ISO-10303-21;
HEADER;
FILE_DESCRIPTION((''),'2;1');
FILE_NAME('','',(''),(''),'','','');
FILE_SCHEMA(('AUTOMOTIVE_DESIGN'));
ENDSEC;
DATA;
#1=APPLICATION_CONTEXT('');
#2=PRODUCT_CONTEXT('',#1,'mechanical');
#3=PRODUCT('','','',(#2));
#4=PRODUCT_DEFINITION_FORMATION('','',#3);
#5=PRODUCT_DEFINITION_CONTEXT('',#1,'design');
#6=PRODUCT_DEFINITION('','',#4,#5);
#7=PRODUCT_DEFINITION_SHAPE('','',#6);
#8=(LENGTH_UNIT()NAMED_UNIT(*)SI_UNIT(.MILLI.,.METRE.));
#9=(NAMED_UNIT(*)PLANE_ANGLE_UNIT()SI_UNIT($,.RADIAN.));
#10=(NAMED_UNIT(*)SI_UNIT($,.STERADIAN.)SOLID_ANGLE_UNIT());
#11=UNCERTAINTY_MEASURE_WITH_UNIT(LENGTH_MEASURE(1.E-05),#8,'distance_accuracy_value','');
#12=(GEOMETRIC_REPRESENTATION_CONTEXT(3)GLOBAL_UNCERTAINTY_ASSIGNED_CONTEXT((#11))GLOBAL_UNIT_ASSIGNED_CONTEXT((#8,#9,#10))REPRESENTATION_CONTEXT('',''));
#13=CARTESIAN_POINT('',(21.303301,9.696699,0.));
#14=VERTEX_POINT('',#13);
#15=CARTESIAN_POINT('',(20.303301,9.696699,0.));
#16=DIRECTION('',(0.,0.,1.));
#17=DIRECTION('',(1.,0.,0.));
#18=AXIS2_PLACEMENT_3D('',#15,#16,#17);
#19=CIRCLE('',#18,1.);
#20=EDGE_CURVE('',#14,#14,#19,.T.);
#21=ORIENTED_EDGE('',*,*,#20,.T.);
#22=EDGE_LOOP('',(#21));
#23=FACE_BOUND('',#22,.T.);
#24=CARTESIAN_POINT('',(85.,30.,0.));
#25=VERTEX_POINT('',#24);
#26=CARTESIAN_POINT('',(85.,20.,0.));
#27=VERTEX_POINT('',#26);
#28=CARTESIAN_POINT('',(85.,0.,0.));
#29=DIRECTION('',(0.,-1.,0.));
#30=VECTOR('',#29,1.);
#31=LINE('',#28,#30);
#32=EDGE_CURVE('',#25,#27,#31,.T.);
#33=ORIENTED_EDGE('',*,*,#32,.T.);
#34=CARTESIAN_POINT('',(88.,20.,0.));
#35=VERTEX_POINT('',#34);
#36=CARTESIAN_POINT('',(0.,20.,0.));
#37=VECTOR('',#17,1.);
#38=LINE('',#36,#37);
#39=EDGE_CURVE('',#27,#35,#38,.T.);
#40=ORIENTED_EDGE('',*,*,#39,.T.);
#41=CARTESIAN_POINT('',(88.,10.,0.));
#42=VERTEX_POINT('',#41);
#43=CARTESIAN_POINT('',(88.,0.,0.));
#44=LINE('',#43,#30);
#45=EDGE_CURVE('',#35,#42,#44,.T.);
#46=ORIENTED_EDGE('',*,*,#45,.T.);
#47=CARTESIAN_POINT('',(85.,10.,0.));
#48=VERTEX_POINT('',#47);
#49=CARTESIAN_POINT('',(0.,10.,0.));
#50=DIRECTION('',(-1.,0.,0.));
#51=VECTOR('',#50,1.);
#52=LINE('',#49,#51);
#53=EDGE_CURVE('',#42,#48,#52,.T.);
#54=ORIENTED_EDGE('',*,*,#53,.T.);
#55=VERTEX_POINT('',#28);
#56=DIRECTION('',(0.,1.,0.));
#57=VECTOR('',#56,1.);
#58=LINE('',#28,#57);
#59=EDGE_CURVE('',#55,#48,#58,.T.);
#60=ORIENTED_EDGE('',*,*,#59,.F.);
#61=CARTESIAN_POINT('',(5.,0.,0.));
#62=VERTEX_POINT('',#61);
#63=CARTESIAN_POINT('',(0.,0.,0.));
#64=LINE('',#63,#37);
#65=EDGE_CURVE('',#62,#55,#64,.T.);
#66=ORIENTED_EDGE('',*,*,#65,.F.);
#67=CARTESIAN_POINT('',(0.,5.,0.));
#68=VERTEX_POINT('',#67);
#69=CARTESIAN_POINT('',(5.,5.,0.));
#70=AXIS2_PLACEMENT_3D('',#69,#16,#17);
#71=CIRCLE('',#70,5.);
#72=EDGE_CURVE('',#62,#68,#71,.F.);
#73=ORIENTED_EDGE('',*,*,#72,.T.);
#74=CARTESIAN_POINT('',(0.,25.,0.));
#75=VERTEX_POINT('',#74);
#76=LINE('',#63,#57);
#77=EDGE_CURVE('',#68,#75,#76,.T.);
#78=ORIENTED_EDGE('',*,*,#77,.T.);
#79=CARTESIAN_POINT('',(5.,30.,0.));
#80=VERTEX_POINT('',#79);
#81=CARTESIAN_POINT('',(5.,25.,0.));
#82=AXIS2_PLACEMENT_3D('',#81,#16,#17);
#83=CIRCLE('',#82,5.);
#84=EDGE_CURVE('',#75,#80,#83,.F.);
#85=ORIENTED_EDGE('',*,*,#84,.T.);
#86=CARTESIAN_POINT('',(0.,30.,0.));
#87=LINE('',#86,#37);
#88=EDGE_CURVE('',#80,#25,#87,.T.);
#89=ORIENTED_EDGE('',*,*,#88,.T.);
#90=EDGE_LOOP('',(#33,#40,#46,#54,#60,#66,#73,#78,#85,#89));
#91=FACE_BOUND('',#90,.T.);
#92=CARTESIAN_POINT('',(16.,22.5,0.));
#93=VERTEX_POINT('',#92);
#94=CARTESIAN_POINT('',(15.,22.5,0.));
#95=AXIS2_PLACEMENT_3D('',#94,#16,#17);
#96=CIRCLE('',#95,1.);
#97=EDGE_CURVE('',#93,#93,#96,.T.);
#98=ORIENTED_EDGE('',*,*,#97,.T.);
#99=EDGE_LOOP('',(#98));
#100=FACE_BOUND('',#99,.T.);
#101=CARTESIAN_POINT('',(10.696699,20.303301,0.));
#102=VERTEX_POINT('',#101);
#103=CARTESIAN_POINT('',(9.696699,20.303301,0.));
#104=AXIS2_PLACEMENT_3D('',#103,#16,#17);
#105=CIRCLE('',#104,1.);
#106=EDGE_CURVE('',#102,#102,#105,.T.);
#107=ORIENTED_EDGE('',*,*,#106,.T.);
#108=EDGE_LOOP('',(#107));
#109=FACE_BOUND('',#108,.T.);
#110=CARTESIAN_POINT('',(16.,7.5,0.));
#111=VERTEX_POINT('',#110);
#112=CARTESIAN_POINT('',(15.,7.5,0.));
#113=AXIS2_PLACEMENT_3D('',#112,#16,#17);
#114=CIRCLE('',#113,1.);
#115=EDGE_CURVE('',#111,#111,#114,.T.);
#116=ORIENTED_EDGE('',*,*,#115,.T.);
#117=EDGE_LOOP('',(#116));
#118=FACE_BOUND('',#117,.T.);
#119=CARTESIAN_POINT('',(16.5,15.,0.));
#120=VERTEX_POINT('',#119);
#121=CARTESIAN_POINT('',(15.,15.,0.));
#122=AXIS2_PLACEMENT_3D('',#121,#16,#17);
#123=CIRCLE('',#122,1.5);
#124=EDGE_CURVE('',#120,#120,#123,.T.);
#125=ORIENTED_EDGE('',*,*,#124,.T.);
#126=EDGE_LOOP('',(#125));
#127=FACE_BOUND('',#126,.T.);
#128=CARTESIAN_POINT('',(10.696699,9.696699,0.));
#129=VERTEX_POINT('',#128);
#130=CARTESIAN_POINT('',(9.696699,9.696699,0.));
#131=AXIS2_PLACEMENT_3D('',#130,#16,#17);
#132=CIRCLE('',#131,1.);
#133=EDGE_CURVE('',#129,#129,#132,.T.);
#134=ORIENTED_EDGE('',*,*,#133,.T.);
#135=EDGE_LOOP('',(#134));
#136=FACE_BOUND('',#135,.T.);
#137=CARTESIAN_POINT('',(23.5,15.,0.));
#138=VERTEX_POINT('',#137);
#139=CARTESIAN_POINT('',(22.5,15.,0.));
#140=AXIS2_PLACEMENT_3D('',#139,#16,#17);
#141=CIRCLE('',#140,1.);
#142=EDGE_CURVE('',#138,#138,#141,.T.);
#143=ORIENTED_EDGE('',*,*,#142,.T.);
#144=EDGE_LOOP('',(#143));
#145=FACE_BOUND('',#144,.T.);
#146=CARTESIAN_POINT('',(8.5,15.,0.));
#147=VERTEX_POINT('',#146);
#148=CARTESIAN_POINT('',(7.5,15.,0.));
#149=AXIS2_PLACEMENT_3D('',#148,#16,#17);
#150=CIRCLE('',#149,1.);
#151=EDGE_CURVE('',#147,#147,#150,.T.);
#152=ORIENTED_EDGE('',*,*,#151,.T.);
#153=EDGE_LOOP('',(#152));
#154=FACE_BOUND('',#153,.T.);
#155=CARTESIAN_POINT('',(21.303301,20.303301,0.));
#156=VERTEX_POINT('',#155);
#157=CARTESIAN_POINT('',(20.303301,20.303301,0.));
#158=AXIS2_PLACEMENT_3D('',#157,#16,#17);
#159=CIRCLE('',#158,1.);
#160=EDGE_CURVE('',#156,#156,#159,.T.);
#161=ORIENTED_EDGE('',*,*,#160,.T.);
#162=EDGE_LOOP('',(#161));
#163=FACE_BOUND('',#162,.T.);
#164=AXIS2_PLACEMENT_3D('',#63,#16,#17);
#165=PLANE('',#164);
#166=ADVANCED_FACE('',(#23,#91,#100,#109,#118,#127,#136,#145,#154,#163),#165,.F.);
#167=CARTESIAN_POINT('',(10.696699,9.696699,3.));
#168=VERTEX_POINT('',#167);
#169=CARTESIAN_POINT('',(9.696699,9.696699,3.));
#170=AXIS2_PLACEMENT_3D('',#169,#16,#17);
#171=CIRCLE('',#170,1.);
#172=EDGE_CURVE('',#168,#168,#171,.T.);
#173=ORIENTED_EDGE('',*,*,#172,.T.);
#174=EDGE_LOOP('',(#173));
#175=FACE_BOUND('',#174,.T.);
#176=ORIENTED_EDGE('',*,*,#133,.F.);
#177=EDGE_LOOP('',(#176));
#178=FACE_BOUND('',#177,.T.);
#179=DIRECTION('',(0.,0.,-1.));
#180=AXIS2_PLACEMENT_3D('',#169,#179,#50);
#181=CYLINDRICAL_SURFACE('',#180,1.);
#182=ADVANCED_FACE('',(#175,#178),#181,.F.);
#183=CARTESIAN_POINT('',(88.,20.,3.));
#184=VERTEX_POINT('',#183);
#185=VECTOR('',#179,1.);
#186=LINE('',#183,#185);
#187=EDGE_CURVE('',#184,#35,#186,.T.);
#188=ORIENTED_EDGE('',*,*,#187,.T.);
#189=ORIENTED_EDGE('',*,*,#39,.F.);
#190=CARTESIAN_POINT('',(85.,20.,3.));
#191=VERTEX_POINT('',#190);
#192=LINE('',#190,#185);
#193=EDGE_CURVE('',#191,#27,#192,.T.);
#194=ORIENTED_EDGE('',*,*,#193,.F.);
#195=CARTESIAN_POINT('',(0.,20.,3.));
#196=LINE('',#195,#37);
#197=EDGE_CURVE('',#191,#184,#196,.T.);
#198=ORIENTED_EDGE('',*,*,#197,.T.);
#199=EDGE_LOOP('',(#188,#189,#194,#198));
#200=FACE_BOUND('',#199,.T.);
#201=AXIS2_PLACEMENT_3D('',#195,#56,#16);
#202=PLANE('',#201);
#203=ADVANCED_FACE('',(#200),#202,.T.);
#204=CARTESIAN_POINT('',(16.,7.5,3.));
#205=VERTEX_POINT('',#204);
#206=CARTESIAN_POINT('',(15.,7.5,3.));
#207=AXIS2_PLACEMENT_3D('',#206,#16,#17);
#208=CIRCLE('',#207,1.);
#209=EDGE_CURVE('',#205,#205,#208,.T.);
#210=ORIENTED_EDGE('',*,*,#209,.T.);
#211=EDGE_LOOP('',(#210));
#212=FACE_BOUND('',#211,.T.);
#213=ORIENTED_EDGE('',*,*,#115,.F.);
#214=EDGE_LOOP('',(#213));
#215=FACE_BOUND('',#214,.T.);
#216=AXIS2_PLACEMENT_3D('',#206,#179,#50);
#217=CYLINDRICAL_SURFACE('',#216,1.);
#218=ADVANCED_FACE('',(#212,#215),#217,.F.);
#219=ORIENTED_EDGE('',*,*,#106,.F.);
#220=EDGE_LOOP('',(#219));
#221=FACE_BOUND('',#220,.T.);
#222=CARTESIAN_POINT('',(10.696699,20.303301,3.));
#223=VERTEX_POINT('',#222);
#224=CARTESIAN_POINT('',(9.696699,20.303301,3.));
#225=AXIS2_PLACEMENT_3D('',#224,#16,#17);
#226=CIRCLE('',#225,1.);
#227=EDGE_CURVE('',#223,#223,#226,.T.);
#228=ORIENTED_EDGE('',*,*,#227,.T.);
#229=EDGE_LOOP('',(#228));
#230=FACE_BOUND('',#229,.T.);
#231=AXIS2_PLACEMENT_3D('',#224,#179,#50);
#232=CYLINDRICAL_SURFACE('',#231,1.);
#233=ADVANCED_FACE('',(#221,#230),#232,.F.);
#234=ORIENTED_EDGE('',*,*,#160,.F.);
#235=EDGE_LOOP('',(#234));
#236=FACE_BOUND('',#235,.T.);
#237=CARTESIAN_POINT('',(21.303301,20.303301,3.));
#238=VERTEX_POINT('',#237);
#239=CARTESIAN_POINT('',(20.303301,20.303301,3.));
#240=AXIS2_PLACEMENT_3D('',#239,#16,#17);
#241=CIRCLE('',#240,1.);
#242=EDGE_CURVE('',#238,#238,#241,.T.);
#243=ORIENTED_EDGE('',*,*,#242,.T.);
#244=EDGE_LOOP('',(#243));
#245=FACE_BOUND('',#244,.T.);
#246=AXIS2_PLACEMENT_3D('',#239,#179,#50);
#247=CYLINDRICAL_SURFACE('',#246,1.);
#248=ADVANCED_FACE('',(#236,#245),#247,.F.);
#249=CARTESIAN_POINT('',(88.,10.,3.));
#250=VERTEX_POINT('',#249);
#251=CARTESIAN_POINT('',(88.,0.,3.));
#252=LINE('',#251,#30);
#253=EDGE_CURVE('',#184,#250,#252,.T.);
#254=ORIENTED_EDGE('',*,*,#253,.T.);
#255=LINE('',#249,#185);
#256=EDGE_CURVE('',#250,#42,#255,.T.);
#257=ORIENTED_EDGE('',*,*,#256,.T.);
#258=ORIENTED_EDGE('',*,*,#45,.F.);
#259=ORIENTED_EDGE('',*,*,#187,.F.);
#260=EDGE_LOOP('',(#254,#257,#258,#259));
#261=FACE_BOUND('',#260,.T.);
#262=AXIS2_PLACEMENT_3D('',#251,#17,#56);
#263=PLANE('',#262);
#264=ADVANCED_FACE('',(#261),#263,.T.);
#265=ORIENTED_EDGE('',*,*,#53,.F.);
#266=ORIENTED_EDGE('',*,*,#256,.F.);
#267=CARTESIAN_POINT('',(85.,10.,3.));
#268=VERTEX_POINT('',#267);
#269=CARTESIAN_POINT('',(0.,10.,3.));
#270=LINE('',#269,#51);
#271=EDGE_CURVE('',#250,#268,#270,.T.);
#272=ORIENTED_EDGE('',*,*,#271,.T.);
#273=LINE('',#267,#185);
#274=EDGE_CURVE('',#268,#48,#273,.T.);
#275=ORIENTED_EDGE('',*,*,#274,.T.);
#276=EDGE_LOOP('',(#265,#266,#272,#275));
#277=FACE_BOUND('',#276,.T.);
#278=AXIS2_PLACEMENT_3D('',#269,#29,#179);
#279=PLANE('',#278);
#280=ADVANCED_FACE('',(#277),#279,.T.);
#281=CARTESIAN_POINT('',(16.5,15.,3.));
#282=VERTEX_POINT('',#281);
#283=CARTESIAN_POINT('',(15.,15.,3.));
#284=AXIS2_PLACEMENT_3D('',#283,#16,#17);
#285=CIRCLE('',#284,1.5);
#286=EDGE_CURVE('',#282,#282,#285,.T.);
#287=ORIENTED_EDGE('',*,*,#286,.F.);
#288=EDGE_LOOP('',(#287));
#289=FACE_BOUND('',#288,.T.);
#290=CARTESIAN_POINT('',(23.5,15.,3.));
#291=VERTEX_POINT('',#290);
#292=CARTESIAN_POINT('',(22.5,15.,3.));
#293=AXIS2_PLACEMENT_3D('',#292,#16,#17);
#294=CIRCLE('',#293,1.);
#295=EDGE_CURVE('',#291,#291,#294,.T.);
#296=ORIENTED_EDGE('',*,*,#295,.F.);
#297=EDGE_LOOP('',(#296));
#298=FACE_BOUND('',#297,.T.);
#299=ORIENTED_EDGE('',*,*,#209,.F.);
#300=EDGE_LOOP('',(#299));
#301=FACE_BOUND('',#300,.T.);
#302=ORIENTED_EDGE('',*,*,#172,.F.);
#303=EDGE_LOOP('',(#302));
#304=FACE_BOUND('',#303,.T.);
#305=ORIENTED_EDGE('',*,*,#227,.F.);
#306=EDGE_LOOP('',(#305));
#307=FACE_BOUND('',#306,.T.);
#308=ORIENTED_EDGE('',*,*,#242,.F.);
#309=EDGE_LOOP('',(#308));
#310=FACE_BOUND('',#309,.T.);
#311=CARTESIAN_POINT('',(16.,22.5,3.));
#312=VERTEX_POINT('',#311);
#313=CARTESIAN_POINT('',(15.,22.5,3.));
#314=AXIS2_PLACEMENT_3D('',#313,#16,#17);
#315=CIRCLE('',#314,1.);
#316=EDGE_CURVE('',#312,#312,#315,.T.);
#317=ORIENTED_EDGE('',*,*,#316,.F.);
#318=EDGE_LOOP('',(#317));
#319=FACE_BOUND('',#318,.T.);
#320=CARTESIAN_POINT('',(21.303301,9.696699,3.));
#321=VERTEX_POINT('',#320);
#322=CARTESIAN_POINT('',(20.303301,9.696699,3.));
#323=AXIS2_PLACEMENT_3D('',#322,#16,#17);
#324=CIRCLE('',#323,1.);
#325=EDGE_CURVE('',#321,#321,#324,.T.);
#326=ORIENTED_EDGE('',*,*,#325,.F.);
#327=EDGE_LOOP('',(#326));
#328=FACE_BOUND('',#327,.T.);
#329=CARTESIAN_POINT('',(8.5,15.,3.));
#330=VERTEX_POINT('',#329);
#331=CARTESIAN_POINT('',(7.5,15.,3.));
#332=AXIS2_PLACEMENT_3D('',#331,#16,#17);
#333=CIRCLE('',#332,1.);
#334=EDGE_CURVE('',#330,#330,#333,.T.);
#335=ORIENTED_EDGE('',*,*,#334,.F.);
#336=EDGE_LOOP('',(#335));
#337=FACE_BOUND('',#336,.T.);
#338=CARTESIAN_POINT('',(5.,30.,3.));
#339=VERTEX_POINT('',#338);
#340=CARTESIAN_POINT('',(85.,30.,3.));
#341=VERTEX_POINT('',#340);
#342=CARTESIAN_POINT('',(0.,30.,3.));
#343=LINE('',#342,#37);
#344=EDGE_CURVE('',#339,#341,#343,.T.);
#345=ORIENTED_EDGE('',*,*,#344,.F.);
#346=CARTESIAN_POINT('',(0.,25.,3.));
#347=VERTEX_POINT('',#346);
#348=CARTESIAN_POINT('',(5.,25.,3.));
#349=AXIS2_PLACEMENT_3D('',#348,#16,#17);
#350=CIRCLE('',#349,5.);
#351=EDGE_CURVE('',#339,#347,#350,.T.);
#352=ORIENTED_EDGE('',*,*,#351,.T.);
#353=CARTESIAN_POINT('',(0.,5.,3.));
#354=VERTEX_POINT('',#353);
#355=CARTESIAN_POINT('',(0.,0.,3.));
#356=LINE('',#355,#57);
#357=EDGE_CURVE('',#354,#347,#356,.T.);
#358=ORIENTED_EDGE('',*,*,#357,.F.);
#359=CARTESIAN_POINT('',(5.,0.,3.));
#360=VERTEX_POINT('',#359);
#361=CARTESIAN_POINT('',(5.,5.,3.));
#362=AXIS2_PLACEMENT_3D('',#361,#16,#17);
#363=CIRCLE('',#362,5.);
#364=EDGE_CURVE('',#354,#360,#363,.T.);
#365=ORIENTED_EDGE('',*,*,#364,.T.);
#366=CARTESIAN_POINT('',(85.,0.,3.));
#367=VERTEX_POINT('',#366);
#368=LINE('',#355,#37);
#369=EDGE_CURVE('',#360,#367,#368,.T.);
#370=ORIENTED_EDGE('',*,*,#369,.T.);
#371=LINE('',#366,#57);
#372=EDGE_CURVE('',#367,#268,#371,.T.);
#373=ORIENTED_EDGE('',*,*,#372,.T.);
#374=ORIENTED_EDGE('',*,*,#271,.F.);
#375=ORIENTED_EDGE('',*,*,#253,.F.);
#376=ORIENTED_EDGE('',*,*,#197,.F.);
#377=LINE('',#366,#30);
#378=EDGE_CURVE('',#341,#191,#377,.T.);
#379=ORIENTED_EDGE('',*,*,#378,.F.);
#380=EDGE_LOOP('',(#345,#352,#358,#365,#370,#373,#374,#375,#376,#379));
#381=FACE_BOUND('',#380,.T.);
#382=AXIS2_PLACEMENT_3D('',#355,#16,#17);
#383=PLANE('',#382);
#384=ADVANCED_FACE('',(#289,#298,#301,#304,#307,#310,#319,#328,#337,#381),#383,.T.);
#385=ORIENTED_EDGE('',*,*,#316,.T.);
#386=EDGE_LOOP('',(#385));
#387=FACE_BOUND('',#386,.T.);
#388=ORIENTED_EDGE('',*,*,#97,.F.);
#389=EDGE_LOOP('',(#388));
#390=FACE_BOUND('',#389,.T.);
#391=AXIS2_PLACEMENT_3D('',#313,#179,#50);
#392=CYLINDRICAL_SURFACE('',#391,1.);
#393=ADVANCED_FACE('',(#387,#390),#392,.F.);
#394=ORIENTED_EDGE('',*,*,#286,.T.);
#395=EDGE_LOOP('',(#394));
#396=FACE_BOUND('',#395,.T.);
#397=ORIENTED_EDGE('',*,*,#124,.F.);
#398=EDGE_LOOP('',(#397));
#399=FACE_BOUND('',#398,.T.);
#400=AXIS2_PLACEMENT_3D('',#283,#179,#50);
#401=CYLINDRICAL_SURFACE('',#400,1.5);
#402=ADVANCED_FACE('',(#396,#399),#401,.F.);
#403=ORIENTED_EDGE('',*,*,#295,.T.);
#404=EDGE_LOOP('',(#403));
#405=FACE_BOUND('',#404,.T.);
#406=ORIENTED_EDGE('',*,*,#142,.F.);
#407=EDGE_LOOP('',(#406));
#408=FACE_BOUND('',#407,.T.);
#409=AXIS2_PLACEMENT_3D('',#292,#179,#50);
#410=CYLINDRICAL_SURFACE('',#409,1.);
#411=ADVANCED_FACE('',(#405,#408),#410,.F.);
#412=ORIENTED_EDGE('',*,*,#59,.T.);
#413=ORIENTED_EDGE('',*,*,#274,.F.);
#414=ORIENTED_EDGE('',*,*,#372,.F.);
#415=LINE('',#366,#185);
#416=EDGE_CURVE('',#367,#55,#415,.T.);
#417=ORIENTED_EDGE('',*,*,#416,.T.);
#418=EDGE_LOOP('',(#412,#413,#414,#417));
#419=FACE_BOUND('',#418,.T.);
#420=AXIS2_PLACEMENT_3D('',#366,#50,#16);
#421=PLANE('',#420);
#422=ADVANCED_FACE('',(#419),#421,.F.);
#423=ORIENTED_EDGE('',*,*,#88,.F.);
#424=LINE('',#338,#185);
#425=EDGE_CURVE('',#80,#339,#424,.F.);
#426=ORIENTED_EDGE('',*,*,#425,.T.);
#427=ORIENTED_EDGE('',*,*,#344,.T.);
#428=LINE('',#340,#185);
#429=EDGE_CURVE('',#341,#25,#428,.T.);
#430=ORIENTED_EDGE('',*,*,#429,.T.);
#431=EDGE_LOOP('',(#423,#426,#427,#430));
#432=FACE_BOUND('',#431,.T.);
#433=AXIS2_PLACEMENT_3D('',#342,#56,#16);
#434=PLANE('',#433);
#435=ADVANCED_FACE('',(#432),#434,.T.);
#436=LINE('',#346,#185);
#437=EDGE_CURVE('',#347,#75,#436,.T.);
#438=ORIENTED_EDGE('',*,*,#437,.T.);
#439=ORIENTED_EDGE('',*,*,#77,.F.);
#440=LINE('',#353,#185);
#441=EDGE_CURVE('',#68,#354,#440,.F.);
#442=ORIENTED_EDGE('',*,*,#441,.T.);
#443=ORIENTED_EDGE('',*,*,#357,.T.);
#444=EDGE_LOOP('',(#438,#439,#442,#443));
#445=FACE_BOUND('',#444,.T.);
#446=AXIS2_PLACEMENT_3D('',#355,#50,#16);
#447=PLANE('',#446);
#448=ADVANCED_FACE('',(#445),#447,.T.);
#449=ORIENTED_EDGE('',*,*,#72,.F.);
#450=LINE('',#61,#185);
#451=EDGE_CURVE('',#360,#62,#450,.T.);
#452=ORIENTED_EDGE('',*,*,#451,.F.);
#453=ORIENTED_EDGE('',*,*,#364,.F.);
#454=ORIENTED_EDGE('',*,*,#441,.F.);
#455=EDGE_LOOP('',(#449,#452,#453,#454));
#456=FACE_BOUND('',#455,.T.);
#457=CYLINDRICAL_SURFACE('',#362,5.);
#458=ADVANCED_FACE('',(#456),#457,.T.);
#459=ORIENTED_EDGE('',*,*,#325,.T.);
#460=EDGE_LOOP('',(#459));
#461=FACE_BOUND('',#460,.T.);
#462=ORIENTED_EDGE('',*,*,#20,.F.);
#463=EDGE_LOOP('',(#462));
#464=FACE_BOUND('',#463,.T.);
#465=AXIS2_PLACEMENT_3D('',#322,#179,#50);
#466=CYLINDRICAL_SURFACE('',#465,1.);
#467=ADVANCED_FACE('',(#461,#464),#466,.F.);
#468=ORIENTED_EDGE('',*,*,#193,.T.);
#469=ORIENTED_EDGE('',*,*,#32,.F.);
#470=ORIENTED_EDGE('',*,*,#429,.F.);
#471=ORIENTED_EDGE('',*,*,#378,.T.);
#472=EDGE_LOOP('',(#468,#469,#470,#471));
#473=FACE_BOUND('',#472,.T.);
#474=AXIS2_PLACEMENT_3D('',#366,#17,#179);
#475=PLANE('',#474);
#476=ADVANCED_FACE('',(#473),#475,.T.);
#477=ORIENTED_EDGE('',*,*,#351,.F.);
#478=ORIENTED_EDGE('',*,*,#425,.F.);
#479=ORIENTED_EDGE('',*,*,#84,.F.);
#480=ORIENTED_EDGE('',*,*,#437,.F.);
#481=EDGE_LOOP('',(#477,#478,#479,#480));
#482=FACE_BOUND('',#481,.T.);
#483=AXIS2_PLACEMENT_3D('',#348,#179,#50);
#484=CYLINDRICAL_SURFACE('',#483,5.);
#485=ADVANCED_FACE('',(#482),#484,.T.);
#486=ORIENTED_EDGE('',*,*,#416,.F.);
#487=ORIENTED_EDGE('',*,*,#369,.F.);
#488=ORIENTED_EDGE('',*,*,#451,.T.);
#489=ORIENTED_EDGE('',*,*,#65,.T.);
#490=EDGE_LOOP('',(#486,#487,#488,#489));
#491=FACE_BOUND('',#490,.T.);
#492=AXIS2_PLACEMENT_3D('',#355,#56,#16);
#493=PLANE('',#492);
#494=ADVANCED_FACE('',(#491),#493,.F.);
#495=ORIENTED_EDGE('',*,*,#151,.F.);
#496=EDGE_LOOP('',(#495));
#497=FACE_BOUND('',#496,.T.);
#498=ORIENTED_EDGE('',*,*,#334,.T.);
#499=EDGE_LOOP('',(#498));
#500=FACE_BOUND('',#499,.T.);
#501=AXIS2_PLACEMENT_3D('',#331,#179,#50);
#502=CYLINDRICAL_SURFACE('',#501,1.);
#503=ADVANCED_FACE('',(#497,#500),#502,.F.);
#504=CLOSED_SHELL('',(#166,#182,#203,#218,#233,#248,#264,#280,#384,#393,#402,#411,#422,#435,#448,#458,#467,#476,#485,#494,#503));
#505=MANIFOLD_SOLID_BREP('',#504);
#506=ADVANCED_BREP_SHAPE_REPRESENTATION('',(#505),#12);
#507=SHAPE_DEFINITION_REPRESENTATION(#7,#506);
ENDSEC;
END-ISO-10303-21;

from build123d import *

# Parameters (mm, degrees)
SKETCH1_R           = 1.5
SKETCH1_R_2         = 1
BOSS_EXTRUDE1_DEPTH = 3
FILLET1_R           = 5


with BuildPart() as part:
    # Sketch1 → Boss-Extrude1 (new body)
    with BuildSketch(Plane.XY):
        Polygon((85, 30), (85, 20), (88, 20), (88, 10), (85, 10), (85, 0), (0, 0), (0, 30), align=None)
        with Locations((15, 15)):
            Circle(SKETCH1_R, mode=Mode.SUBTRACT)
        with Locations((7.5, 15)):
            Circle(SKETCH1_R_2, mode=Mode.SUBTRACT)
        with Locations((9.696699141, 20.303300859)):
            Circle(SKETCH1_R_2, mode=Mode.SUBTRACT)
        with Locations((15, 22.5)):
            Circle(SKETCH1_R_2, mode=Mode.SUBTRACT)
        with Locations((20.303300859, 20.303300859)):
            Circle(SKETCH1_R_2, mode=Mode.SUBTRACT)
        with Locations((22.5, 15)):
            Circle(SKETCH1_R_2, mode=Mode.SUBTRACT)
        with Locations((20.303300859, 9.696699141)):
            Circle(SKETCH1_R_2, mode=Mode.SUBTRACT)
        with Locations((15, 7.5)):
            Circle(SKETCH1_R_2, mode=Mode.SUBTRACT)
        with Locations((9.696699141, 9.696699141)):
            Circle(SKETCH1_R_2, mode=Mode.SUBTRACT)
    extrude(amount=BOSS_EXTRUDE1_DEPTH)

    # Fillet1
    fillet1_edges = [part.edges().sort_by_distance(p)[0] for p in [
        (0, 0, 1.5),
        (0, 30, 1.5),
    ]]
    fillet(fillet1_edges, radius=FILLET1_R)


solid = part.part
